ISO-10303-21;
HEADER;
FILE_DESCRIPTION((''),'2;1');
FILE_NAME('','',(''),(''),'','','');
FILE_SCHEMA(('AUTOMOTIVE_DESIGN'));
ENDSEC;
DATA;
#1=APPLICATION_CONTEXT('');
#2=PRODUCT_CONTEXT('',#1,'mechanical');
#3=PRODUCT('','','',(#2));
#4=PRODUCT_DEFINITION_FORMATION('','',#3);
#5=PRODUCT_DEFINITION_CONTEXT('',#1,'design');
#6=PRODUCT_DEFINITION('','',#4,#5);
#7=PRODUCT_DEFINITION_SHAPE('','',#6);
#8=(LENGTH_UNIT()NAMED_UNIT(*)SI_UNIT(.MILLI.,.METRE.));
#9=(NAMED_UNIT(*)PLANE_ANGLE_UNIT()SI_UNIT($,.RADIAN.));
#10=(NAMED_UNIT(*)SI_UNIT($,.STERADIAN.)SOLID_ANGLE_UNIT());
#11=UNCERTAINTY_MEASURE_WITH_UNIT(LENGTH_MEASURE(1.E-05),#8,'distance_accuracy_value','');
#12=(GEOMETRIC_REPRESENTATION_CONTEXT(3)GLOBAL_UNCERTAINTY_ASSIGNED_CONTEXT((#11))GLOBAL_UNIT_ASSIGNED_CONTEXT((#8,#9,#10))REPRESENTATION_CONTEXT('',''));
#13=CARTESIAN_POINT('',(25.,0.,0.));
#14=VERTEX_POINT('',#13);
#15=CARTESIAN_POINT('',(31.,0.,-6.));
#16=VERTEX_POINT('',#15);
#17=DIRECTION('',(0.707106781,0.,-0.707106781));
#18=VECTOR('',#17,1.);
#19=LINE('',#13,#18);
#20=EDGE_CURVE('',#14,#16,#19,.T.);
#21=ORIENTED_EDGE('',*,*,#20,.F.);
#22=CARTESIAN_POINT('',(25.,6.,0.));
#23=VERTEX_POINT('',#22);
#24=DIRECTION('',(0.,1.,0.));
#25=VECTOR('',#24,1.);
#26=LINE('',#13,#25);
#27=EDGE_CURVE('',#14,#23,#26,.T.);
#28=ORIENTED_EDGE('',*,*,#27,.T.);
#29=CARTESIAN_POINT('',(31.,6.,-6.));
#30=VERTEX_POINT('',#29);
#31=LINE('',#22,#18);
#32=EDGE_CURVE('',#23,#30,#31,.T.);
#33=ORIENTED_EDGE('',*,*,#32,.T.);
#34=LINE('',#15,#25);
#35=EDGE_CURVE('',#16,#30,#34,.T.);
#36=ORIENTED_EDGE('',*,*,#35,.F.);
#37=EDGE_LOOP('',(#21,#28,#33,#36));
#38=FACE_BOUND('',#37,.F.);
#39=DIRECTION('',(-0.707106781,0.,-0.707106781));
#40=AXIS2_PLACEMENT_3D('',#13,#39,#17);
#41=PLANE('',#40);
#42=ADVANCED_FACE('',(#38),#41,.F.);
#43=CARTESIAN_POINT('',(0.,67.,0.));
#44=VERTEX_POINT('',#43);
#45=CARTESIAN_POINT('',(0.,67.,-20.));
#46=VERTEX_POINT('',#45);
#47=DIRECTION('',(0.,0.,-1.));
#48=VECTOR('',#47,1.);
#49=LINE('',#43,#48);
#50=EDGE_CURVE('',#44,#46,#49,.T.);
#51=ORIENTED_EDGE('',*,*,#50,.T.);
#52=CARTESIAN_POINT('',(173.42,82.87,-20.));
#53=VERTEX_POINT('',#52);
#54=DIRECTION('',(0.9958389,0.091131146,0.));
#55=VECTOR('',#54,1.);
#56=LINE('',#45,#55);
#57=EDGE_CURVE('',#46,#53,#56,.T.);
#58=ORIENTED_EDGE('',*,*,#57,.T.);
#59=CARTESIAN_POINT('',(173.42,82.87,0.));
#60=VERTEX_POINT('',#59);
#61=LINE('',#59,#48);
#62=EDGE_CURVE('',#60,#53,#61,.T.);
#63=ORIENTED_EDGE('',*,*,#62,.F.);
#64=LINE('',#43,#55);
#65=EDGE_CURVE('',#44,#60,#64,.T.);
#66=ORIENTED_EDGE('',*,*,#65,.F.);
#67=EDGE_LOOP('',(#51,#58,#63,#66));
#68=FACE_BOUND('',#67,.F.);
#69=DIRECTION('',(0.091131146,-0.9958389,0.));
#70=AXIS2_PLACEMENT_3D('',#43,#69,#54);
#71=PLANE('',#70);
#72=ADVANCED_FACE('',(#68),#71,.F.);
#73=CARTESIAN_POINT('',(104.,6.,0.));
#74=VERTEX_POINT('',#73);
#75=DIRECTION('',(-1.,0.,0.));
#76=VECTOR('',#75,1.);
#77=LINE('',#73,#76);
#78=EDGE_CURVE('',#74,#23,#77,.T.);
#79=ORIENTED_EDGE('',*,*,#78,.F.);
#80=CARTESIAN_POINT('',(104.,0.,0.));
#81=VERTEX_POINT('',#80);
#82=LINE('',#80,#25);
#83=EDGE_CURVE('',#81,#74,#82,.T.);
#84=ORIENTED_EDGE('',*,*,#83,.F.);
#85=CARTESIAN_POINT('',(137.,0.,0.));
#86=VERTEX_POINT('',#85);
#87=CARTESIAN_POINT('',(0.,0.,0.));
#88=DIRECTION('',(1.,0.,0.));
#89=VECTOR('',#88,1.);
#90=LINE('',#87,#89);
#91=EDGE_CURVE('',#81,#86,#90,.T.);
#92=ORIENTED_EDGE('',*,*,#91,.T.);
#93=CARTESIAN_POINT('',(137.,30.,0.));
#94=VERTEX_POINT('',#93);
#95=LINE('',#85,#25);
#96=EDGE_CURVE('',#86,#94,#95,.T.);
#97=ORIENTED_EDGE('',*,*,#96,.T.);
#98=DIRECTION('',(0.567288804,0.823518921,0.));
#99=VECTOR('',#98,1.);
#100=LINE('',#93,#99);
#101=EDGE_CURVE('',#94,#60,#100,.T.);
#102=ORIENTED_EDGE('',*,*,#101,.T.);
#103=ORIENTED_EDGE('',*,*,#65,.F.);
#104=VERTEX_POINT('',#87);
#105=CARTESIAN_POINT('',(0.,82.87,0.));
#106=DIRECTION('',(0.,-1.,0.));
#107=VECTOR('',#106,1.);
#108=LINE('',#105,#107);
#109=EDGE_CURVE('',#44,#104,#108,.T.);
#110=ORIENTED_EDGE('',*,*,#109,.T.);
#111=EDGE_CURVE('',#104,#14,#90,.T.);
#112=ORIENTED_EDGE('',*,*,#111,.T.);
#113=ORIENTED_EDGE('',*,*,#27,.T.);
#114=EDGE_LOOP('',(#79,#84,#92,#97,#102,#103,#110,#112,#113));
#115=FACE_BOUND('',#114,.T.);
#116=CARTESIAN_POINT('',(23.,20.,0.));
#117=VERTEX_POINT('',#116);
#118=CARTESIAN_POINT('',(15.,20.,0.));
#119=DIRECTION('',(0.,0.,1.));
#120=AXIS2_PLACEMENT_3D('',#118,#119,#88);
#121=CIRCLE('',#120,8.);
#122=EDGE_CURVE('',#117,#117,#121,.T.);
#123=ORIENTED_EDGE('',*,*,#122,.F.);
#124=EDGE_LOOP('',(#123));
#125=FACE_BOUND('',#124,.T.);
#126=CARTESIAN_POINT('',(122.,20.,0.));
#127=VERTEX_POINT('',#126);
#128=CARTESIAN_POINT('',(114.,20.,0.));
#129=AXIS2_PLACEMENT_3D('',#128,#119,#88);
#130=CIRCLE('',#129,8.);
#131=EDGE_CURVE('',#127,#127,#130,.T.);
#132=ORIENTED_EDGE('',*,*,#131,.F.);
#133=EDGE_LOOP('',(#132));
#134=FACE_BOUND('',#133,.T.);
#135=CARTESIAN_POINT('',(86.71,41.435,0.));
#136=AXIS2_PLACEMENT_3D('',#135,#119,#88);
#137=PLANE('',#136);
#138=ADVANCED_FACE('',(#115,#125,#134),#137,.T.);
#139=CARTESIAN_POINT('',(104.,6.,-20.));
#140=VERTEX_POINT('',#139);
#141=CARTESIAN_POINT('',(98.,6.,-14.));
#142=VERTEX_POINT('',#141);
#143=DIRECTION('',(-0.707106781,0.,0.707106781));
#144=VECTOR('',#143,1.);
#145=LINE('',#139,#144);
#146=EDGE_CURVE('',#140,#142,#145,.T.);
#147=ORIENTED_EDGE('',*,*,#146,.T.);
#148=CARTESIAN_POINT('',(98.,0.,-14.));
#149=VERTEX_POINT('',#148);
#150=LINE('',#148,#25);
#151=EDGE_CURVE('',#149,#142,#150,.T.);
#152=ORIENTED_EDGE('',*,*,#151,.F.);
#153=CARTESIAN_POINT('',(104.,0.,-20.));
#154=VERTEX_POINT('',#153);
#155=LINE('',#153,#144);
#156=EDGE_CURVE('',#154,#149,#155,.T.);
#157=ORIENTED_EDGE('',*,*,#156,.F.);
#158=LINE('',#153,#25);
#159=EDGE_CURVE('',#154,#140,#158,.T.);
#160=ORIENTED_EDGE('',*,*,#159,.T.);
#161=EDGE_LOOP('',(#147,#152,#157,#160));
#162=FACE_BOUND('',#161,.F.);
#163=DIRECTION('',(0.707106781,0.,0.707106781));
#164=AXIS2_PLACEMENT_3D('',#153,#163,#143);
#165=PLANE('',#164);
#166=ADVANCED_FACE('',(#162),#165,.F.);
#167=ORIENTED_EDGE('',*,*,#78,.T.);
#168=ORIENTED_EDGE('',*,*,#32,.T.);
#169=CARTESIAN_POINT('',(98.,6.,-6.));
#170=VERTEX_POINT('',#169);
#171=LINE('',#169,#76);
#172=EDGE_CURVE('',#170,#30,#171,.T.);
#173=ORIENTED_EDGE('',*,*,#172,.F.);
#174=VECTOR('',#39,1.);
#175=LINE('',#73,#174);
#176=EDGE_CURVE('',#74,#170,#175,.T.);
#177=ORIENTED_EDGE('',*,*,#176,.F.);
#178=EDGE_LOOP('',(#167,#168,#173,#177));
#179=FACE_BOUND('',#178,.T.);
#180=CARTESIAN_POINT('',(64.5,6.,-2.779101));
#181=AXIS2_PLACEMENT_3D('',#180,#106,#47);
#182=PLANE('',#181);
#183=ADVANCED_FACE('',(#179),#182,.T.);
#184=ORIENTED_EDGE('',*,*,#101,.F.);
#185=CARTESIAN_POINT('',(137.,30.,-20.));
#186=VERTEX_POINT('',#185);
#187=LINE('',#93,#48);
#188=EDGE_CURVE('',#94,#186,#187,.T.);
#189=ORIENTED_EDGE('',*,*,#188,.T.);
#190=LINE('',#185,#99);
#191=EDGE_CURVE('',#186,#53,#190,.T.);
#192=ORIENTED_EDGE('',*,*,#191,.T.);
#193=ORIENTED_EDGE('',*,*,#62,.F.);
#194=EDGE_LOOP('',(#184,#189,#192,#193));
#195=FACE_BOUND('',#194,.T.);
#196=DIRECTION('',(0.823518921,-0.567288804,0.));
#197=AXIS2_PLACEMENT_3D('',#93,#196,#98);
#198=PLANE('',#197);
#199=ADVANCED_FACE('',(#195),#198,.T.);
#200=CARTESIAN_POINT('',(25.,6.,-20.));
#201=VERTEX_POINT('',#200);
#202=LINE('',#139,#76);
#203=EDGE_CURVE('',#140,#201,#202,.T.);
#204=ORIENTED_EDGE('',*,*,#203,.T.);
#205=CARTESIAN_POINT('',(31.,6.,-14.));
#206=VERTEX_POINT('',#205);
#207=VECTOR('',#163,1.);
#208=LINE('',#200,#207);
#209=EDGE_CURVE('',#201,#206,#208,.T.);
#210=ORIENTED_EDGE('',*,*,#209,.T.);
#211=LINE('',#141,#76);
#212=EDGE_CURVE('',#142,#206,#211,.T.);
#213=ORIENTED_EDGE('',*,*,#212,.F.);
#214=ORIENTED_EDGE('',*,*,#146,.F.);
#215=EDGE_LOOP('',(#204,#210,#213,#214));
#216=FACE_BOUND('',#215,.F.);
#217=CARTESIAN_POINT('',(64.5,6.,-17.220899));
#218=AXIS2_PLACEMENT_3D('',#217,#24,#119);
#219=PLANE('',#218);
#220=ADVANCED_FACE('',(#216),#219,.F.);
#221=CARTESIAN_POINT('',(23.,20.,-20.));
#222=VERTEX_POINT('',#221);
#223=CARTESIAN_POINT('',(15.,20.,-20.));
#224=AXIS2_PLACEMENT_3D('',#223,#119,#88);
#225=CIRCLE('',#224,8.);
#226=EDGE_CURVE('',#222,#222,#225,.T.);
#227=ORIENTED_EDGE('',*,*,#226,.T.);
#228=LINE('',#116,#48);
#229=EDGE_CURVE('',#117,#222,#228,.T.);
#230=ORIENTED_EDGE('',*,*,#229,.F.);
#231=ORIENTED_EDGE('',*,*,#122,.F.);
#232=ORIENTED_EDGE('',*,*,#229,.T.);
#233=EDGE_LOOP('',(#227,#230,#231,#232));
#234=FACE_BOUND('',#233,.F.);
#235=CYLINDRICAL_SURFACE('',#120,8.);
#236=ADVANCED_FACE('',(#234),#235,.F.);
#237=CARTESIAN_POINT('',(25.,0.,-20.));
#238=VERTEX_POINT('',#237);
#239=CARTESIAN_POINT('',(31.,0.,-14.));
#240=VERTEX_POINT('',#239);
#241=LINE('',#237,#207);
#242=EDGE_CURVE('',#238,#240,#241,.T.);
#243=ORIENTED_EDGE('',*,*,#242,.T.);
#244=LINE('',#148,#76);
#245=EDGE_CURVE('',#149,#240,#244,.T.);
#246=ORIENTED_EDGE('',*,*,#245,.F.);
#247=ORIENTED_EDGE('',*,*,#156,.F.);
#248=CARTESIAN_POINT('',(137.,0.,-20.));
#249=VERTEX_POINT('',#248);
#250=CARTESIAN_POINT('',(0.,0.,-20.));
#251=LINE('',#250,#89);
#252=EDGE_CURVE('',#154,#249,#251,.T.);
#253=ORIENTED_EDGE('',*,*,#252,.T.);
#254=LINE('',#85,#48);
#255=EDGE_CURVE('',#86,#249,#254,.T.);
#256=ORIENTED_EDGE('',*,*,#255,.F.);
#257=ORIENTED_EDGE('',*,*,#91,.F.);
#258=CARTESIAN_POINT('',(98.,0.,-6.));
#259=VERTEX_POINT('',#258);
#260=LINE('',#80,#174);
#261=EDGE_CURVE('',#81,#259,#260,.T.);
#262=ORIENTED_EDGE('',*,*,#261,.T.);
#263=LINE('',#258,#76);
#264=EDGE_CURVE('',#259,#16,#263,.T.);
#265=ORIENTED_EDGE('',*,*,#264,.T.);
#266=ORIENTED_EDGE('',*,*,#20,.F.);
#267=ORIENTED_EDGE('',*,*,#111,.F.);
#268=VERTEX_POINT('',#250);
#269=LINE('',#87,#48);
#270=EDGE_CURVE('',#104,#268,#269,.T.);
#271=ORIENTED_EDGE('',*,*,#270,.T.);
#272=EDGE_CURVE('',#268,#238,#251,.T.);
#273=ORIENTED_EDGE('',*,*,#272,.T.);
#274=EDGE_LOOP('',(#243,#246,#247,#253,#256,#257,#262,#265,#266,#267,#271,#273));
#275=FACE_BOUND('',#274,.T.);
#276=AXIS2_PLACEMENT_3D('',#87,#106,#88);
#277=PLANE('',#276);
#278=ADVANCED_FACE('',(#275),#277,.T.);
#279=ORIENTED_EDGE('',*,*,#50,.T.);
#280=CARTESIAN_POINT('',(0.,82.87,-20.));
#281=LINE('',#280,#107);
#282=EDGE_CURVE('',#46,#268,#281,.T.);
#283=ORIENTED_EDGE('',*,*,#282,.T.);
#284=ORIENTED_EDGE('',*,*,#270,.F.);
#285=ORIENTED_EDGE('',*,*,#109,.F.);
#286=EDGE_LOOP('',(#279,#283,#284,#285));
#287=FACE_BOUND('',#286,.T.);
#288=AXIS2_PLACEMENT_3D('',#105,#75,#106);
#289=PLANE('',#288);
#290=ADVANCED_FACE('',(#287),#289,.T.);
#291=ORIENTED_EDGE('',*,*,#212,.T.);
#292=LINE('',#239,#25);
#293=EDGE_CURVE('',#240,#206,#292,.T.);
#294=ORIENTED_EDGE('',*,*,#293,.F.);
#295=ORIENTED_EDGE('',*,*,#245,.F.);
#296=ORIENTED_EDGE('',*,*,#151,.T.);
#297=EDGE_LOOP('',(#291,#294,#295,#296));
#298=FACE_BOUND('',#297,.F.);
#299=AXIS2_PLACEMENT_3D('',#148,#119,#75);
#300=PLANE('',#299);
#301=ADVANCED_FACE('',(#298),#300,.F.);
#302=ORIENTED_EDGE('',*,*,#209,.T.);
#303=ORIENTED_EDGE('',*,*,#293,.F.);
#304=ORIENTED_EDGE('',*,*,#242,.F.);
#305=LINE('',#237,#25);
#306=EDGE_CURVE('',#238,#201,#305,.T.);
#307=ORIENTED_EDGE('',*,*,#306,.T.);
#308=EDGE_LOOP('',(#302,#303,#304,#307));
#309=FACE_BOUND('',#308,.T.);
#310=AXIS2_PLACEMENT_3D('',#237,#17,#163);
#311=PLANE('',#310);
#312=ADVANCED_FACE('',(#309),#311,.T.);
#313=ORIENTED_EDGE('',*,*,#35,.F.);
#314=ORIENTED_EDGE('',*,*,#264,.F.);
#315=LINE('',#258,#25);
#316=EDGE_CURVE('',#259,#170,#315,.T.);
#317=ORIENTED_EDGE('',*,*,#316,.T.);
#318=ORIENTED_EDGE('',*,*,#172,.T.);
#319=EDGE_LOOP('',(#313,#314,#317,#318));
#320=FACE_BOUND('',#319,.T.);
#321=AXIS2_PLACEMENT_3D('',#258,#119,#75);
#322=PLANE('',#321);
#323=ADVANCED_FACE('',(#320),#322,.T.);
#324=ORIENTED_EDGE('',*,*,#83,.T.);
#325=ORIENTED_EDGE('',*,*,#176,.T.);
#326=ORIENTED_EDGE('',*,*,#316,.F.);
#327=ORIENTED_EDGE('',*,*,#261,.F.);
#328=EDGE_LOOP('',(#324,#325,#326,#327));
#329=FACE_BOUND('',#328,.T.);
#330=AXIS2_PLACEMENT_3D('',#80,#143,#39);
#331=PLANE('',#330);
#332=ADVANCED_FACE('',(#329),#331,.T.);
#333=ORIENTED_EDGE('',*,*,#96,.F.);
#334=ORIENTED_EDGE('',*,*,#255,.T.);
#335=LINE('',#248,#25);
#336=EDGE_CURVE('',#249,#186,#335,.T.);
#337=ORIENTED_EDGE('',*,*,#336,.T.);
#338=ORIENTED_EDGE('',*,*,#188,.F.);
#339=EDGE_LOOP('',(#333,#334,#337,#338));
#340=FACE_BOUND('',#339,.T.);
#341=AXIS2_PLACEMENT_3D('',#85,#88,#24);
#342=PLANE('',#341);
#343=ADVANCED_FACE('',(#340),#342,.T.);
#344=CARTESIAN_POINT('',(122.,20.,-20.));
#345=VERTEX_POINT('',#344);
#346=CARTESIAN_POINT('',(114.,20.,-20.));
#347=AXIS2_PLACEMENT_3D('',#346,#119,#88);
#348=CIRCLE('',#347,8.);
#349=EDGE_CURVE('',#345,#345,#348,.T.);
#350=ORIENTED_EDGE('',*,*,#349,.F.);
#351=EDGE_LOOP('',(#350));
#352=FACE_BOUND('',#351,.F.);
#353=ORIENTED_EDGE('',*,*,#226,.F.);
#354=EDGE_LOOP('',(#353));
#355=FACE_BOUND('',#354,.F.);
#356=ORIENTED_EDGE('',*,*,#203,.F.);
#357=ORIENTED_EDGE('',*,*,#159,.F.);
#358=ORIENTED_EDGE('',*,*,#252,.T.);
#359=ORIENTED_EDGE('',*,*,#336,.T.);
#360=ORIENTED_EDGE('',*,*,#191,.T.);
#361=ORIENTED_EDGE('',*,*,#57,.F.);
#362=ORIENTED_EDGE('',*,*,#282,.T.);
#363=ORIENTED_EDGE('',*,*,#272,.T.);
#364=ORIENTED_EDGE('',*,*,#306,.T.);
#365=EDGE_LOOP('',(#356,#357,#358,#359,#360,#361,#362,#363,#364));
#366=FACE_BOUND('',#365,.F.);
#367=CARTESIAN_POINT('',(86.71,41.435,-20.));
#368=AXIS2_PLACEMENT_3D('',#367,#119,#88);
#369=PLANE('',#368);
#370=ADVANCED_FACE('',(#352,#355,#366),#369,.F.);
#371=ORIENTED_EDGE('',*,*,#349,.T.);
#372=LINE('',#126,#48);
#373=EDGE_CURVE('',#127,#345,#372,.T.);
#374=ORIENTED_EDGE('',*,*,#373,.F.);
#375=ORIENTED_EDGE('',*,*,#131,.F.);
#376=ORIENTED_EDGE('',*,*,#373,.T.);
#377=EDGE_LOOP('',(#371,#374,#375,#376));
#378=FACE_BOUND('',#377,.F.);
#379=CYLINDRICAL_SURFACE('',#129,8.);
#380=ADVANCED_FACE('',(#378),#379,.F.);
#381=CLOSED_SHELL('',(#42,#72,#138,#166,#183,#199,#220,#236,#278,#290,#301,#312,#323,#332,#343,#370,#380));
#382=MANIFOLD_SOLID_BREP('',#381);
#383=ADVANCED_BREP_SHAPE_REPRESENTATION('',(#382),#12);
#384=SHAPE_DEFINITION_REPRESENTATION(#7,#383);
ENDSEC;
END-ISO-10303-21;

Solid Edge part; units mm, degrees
sketch "Sketch1" plane through (0, 0, 0) normal (0, 0, 1) x (1, 0, 0)
  line L0 (0, 0) -> (173.42, 0)
  line L1 (173.42, 0) -> (173.42, 82.87)
  line L2 (173.42, 82.87) -> (0, 82.87)
  line L3 (0, 82.87) -> (0, 0)
extrude "Protrusion1" add sketch "Sketch1" against normal blind 20
sketch "Sketch2" plane through (86.71, 41.435, 0) normal (0, 0, 1) x (0, 1, 0)
  line L0 (-41.435, -50.29) -> (-11.435, -50.29)
  line L1 (-11.435, -50.29) -> (41.435, -86.71)
  line L2 (41.435, -86.71) -> (-41.435, -86.71)
  line L3 (-41.435, -86.71) -> (-41.435, -50.29)
extrude "ExtrudedCutout_1" cut sketch "Sketch2" against normal blind 20
sketch "Sketch3" plane through (86.71, 41.435, 0) normal (0, 0, 1) x (0, 1, 0)
  line L0 (25.565, 86.71) -> (41.435, -86.71)
  line L1 (41.435, -86.71) -> (41.435, 86.71)
  line L2 (41.435, 86.71) -> (25.565, 86.71)
extrude "ExtrudedCutout_2" cut sketch "Sketch3" against normal blind 20
sketch "Sketch4" plane through (86.71, 41.435, 0) normal (0, 0, 1) x (1, 0, 0)
  circle A0 centre (-71.71, -21.435) radius 8
  circle A1 centre (27.29, -21.435) radius 8
extrude "ExtrudedCutout_3" cut sketch "Sketch4" against normal blind 20
sketch "Sketch5" plane through (68.5, 0, -10) normal (0, -1, 0) x (1, 0, 0)
  line L0 (35.5, 10) -> (-43.5, 10)
  line L1 (-43.5, 10) -> (-37.5, 4)
  line L2 (29.5, 4) -> (-37.5, 4)
  line L3 (35.5, 10) -> (29.5, 4)
extrude "ExtrudedCutout_4" cut sketch "Sketch5" against normal blind 6
sketch "Sketch6" plane through (68.5, 0, -10) normal (0, -1, 0) x (1, 0, 0)
  line L0 (35.5, -10) -> (-43.5, -10)
  line L1 (35.5, -10) -> (29.5, -4)
  line L2 (29.5, -4) -> (-37.5, -4)
  line L3 (-43.5, -10) -> (-37.5, -4)
extrude "ExtrudedCutout_5" cut sketch "Sketch6" against normal blind 6
